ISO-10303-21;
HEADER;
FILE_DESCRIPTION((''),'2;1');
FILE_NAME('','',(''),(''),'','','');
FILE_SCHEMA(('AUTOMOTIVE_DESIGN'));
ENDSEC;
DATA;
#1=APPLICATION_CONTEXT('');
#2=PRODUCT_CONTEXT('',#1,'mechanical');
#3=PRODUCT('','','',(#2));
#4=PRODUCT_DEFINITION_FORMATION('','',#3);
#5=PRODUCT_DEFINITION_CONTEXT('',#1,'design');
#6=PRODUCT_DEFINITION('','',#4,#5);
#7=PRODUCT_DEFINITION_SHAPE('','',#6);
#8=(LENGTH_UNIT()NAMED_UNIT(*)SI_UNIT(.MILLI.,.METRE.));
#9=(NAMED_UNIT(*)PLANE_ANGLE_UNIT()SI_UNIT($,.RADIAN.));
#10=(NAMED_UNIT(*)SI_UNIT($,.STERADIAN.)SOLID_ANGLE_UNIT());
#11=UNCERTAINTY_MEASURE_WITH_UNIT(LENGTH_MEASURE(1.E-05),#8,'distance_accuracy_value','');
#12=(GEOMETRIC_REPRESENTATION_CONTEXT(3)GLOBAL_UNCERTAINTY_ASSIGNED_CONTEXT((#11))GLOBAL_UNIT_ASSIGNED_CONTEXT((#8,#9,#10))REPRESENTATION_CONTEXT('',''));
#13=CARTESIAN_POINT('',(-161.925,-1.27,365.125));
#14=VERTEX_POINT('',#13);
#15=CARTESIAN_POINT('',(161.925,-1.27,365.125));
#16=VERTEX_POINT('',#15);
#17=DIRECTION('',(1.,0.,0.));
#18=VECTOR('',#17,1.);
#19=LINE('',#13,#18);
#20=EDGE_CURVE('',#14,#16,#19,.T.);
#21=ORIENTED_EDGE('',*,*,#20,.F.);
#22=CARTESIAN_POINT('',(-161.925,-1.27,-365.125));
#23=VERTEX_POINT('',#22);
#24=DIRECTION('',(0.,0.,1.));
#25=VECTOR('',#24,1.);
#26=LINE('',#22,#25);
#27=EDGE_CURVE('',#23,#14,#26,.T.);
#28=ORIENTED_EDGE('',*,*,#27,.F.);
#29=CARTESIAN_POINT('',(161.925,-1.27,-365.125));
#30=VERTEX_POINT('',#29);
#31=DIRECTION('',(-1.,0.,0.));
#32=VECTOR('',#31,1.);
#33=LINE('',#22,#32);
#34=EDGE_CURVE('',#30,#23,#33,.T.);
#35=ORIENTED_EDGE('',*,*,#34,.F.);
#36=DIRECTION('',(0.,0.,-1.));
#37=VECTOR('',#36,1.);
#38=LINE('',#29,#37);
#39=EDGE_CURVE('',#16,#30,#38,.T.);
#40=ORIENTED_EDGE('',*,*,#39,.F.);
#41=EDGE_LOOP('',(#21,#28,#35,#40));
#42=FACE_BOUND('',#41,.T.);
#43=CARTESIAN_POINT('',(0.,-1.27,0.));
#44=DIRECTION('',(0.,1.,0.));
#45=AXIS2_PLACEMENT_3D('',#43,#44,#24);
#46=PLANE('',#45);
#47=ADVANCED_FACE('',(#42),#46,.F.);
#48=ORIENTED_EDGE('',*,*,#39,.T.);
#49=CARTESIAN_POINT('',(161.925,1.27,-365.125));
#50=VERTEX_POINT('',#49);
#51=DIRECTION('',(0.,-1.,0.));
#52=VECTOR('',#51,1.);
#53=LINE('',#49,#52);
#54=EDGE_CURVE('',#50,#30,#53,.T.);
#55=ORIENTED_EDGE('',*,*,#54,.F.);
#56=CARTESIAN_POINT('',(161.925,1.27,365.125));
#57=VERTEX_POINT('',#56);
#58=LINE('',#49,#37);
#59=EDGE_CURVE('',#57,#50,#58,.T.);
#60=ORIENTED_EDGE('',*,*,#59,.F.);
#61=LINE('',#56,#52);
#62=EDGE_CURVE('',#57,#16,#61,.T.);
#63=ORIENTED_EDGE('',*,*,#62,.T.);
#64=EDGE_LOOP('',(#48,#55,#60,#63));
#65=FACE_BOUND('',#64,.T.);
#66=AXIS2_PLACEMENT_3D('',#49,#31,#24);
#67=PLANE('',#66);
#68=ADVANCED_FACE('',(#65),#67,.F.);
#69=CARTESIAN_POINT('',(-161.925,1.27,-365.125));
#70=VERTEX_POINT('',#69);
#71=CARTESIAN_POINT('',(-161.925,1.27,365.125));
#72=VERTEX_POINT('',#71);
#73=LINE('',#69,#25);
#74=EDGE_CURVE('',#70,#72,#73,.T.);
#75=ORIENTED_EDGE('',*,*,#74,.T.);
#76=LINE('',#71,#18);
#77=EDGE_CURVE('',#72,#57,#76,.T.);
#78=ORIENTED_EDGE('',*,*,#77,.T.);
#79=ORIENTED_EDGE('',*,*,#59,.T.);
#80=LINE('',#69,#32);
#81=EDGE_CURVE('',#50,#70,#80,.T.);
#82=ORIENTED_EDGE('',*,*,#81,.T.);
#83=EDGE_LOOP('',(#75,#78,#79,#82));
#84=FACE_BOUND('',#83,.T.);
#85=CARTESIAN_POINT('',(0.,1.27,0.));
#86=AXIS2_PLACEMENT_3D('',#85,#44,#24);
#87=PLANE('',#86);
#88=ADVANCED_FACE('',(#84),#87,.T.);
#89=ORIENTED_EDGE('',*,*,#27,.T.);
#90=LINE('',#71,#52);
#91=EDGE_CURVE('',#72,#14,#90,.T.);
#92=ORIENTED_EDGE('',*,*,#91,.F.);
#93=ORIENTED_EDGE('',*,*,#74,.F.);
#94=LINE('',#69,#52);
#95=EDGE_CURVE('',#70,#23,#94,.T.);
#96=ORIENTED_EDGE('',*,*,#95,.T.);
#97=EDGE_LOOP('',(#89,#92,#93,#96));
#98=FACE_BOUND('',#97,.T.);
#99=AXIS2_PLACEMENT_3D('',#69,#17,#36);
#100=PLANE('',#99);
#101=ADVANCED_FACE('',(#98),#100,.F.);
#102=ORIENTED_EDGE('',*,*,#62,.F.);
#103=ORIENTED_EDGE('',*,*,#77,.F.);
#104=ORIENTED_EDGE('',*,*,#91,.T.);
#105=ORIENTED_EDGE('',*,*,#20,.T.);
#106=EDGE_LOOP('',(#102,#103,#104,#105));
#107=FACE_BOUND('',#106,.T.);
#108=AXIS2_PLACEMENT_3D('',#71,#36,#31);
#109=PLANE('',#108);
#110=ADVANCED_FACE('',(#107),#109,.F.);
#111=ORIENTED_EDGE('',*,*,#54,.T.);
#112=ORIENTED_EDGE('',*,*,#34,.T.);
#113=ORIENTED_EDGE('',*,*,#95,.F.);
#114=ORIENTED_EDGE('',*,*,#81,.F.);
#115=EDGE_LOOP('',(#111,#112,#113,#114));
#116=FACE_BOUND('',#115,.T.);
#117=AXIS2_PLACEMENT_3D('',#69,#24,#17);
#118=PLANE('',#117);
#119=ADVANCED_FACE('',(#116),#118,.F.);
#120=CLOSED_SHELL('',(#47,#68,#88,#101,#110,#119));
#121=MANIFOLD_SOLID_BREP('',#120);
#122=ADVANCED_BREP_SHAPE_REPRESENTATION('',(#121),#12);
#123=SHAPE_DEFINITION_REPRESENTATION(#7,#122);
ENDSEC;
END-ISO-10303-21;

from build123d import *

# Parameters (mm, degrees)
SKETCH1_W           = 323.85
SKETCH1_H           = 730.25
BOSS_EXTRUDE1_DEPTH = 1.27


with BuildPart() as part:
    # Sketch1 → Boss-Extrude1 (new body, symmetric)
    with BuildSketch(Plane(origin=(0, 0, 0), x_dir=(1, 0, 0), z_dir=(0, 1, 0))):
        Rectangle(SKETCH1_W, SKETCH1_H)
    extrude(amount=BOSS_EXTRUDE1_DEPTH, both=True)


solid = part.part
